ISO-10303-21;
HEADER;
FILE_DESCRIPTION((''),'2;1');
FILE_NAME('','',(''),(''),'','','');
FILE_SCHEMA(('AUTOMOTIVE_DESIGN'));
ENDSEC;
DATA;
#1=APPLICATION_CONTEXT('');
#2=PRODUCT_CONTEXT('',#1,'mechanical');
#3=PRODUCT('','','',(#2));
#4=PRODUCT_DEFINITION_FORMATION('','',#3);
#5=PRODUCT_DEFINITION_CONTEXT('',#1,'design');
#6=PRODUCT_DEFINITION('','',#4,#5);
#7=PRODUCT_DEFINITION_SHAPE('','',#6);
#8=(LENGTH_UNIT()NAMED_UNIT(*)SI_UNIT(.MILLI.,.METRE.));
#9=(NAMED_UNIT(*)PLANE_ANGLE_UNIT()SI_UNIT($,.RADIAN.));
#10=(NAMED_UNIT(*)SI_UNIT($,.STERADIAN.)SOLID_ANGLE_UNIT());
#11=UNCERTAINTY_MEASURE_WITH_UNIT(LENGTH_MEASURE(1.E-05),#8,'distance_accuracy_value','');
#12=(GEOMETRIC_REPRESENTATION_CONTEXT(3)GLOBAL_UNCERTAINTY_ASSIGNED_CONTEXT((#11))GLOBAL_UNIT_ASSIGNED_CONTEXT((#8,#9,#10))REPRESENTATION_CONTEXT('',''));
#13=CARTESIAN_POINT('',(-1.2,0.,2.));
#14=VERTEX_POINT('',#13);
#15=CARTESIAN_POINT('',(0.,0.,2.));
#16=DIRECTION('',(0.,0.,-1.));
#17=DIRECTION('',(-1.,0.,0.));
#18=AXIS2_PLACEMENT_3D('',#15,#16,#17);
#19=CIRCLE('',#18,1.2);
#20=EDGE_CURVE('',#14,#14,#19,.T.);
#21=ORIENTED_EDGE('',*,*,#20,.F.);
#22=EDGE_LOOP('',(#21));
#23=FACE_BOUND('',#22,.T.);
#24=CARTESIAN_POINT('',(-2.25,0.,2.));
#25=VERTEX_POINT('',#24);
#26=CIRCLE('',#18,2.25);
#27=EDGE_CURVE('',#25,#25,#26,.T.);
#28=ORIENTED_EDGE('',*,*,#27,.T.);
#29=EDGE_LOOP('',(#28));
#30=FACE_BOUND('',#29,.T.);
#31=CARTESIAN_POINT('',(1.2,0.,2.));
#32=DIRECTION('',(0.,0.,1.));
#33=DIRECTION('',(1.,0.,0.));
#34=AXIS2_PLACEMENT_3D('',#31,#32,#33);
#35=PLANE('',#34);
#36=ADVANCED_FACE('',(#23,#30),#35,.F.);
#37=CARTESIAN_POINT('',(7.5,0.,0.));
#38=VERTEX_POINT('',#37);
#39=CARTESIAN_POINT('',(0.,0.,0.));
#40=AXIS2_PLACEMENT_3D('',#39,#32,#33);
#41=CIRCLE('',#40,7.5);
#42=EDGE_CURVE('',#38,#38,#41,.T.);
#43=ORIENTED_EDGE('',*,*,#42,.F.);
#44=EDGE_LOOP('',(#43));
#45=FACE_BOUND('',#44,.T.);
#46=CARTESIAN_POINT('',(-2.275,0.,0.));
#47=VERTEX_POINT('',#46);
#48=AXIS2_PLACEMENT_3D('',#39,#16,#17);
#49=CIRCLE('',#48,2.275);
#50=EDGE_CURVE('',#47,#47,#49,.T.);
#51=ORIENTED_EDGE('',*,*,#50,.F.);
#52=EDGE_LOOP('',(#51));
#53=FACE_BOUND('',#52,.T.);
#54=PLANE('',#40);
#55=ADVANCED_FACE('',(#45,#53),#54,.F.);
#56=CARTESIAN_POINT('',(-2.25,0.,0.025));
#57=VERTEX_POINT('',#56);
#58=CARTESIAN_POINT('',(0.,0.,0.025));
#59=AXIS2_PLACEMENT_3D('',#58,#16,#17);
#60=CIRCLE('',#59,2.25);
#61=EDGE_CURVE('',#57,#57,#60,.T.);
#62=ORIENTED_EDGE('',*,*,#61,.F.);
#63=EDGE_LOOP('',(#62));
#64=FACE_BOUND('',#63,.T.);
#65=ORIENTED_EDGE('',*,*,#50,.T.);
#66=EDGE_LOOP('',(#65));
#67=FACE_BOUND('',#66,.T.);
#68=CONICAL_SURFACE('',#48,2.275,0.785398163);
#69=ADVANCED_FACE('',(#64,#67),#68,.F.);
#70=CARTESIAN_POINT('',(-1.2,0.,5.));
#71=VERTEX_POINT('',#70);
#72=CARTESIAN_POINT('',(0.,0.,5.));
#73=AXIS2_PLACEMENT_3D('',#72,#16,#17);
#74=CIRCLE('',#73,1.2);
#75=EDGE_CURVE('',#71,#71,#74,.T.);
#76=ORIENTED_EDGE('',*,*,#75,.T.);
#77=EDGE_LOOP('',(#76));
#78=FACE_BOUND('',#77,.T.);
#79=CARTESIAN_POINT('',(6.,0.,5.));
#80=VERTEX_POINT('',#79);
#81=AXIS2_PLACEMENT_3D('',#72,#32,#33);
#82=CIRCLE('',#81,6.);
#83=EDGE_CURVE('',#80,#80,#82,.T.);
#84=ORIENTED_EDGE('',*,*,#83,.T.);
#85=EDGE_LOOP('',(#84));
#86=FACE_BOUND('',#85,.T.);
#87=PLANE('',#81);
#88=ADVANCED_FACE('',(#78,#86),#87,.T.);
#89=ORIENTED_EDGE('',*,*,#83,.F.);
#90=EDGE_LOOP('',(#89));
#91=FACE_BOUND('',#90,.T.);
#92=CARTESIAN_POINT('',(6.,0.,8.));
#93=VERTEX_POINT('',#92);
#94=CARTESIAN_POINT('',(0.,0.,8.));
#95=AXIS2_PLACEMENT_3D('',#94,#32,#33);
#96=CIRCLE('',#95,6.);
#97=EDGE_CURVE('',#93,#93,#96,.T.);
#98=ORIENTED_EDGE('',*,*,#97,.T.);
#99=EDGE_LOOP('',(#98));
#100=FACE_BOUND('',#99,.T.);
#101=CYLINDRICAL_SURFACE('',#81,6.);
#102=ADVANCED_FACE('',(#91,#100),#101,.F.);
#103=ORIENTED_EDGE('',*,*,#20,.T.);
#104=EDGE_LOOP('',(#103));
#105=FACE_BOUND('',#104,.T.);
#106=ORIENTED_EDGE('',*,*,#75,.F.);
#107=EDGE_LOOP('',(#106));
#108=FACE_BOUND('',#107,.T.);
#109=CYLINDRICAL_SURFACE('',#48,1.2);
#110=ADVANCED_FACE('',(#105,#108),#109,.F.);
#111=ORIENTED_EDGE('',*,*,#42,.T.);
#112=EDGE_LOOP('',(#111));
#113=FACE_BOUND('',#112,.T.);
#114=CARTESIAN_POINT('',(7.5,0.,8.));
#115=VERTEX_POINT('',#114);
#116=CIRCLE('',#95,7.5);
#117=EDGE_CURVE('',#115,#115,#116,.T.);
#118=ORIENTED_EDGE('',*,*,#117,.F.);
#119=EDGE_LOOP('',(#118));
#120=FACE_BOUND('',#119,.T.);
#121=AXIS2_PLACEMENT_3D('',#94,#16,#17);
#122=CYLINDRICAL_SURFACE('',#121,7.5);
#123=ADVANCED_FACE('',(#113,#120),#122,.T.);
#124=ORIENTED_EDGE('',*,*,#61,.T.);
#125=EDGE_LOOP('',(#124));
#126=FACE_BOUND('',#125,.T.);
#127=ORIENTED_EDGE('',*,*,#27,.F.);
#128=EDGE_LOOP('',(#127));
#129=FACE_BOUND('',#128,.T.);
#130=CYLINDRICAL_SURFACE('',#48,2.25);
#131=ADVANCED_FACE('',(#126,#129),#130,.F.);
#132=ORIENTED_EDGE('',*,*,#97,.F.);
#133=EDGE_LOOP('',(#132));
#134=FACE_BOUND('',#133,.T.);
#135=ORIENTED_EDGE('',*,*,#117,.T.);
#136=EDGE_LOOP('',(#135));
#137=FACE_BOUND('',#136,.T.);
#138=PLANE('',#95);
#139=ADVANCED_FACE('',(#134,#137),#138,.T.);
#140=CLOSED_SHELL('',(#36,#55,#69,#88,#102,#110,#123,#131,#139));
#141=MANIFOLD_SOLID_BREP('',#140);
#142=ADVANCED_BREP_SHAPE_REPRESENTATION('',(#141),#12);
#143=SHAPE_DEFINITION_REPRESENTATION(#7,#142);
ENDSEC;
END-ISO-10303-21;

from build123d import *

# Parameters (mm, degrees)
SKETCH_1_R          = 7.5
EXTRUDE_1_DEPTH     = 8
SKETCH_2_R          = 6
CUT_EXTRUDE_1_DEPTH = 3


with BuildPart() as part:
    # 스케치1 → 보스-돌출1 (new body)
    with BuildSketch(Plane.XY):
        Circle(SKETCH_1_R)
    extrude(amount=EXTRUDE_1_DEPTH)

    # 스케치2 → 컷-돌출1 (cut)
    with BuildSketch(Plane.XY.offset(8)):
        Circle(SKETCH_2_R)
    extrude(amount=-CUT_EXTRUDE_1_DEPTH, mode=Mode.SUBTRACT)

    # 스케치4 → M2 소켓 머리 캡 나사용 카운터보어1 (revolve, cut)
    with BuildSketch(Plane.YZ):
        Polygon((0, 0), (0, 5.721032743), (1.2, 5), (1.2, 2), (2.25, 2), (2.25, 0.025), (2.275, 0), align=None)
    revolve(axis=Axis((0, 0, -6.35), (0, 0, 1)), mode=Mode.SUBTRACT)


solid = part.part
